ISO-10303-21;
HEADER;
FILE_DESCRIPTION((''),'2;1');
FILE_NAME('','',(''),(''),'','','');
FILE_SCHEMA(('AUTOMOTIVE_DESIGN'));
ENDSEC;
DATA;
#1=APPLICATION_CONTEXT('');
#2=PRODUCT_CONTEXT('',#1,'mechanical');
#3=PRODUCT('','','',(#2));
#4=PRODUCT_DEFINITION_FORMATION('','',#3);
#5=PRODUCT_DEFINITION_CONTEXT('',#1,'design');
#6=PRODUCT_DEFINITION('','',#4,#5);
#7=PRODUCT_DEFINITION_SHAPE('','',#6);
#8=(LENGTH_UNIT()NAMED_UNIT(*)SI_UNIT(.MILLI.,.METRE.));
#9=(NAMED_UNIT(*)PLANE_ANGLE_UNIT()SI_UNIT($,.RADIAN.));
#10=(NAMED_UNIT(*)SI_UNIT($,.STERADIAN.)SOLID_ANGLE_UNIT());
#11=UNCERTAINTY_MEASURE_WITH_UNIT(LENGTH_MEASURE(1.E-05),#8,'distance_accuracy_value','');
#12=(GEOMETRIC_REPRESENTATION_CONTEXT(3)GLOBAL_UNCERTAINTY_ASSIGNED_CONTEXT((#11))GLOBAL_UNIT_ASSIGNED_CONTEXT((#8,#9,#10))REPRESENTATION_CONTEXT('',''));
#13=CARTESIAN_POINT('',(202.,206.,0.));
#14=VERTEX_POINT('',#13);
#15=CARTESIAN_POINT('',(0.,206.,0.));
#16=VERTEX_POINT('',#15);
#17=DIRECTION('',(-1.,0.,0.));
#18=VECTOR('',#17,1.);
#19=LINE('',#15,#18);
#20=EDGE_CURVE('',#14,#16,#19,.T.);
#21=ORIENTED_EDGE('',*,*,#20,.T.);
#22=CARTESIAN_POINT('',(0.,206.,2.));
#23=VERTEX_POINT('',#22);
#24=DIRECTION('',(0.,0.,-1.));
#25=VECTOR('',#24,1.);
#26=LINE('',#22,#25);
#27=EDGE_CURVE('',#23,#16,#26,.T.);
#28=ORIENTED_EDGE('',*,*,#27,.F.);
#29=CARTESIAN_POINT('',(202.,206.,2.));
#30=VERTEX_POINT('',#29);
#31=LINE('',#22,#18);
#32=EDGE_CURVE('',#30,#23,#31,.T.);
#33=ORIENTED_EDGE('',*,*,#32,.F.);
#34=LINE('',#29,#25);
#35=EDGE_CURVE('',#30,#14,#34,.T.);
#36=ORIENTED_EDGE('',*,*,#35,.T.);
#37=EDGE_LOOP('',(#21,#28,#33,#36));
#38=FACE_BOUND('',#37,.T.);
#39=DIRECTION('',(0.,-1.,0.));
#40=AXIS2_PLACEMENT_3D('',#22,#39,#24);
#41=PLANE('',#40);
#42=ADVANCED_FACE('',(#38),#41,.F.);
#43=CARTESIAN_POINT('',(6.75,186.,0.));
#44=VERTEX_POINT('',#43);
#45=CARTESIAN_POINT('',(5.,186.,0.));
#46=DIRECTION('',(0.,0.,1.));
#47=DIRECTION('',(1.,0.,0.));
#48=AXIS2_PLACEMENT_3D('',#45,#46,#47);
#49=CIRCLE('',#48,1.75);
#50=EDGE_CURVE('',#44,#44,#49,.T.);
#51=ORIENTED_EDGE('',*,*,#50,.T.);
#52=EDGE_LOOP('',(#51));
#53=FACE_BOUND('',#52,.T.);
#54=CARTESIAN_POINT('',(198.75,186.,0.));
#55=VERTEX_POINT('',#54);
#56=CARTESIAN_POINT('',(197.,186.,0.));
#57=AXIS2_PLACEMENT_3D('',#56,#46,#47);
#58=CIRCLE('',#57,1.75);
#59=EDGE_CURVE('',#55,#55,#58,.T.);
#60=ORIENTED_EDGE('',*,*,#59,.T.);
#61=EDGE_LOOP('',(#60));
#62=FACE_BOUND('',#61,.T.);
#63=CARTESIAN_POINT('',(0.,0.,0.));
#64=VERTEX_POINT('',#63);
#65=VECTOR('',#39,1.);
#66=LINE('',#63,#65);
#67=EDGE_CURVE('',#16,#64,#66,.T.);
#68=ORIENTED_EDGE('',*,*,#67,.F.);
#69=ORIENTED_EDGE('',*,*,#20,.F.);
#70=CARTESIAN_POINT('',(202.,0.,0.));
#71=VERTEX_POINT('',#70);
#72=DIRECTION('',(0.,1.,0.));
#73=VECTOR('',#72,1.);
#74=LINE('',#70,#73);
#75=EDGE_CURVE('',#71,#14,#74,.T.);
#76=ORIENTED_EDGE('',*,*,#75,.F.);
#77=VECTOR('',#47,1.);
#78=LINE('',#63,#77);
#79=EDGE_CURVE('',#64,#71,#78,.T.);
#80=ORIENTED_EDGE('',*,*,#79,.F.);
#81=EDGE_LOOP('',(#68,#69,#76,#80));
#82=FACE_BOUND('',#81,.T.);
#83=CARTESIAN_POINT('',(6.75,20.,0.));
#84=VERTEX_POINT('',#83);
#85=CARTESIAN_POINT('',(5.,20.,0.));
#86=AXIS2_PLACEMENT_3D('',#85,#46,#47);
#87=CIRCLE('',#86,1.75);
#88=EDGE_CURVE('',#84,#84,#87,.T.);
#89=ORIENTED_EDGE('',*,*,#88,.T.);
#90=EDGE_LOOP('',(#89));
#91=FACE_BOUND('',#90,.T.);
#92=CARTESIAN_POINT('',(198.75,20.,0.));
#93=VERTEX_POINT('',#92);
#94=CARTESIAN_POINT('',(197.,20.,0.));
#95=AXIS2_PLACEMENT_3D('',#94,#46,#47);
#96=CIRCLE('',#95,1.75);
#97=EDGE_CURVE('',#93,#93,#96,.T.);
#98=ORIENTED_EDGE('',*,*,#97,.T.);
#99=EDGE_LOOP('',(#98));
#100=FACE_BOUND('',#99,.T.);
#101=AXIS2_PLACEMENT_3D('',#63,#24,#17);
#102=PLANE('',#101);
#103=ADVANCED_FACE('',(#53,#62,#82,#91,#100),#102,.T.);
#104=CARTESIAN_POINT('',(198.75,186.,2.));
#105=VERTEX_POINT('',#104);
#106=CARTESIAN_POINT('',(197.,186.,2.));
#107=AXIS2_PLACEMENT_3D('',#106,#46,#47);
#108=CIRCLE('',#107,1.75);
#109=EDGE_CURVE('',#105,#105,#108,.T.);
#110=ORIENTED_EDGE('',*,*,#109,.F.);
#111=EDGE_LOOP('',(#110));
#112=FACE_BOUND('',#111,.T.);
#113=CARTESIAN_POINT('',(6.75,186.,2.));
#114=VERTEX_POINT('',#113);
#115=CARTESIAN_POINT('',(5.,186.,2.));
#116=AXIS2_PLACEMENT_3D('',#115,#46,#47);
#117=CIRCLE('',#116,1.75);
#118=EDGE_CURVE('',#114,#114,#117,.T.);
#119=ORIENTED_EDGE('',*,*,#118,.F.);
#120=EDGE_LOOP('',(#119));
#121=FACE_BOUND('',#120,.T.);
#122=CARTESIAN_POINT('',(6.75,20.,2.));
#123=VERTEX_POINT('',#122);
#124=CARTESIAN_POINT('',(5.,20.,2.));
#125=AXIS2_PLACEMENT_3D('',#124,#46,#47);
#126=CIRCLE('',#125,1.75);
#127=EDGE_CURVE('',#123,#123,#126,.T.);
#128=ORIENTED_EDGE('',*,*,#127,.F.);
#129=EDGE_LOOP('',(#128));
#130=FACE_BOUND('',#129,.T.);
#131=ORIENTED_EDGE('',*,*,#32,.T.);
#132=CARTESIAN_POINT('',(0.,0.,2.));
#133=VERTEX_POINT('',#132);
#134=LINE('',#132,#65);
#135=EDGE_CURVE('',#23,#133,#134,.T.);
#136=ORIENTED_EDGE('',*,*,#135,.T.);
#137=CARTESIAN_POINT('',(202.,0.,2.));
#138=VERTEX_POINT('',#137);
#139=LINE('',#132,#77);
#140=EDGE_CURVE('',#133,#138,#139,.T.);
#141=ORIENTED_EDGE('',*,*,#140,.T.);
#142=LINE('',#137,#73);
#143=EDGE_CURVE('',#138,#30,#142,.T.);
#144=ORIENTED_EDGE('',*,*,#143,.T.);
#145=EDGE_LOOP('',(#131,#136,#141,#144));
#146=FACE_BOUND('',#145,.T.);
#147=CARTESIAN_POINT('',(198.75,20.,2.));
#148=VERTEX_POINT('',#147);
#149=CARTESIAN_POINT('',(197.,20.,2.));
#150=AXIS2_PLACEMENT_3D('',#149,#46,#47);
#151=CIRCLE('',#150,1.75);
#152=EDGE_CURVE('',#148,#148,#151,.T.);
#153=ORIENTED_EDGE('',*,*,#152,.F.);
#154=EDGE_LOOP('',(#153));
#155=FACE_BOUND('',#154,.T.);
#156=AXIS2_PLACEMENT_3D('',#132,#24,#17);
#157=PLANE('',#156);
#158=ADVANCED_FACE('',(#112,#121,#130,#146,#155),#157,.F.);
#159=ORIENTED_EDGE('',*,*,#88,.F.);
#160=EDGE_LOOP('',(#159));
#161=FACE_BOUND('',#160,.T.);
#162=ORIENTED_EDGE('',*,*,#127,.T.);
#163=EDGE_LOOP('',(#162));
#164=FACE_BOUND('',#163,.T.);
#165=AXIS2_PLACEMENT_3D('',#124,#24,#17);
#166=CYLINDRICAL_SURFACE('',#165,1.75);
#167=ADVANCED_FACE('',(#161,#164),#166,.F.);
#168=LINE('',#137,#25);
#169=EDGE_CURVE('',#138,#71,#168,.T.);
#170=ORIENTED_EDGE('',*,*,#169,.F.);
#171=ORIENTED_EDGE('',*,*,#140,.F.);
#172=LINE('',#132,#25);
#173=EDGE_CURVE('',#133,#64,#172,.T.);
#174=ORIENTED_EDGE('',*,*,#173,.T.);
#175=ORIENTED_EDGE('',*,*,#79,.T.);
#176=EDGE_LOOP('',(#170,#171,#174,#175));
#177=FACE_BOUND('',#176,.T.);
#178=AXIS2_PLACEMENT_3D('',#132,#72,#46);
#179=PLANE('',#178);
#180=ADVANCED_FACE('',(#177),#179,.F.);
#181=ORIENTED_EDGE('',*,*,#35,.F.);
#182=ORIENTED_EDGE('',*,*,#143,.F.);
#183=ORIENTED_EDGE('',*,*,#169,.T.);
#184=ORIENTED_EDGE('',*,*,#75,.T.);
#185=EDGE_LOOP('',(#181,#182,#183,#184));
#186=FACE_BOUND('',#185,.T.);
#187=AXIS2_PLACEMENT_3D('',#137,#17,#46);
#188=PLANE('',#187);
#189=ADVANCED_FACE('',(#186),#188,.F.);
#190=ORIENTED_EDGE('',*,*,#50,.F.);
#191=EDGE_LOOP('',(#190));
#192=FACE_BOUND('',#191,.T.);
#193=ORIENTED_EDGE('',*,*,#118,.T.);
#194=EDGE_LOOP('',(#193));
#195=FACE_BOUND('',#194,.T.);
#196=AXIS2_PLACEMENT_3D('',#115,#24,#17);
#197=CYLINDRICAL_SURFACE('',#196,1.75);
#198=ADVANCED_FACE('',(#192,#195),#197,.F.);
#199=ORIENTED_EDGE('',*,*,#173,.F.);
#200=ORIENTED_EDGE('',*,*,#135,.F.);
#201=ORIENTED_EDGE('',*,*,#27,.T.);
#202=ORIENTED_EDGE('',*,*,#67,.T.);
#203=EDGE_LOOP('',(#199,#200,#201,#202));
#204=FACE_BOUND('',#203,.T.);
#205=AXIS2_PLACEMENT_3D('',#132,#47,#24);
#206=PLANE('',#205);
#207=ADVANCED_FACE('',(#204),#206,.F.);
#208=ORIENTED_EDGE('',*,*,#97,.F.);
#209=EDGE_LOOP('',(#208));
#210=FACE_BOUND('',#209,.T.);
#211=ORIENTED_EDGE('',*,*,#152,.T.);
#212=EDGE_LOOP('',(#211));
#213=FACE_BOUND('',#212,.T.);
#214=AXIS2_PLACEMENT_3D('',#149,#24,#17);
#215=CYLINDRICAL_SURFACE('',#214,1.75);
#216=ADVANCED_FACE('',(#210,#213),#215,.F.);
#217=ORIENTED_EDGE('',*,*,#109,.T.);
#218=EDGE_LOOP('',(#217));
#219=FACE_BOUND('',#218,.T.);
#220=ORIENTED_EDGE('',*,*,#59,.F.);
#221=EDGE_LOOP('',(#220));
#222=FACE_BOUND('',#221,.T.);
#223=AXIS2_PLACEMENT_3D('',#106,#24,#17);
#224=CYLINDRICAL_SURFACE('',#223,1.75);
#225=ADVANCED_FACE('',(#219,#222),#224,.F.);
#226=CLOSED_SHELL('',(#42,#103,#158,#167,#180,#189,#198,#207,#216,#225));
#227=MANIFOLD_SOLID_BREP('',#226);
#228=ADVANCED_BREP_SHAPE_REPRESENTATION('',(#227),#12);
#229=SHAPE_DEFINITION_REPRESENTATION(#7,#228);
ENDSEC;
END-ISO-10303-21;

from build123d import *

# Parameters (mm, degrees)
SKETCH1_W           = 202
SKETCH1_H           = 206
SKETCH1_R           = 1.75
BOSS_EXTRUDE1_DEPTH = 2


with BuildPart() as part:
    # Sketch1 → Boss-Extrude1 (new body)
    with BuildSketch(Plane.XY):
        with Locations((101, 103)):
            Rectangle(SKETCH1_W, SKETCH1_H)
        with Locations((5, 186)):
            Circle(SKETCH1_R, mode=Mode.SUBTRACT)
        with Locations((197, 186)):
            Circle(SKETCH1_R, mode=Mode.SUBTRACT)
        with Locations((5, 20)):
            Circle(SKETCH1_R, mode=Mode.SUBTRACT)
        with Locations((197, 20)):
            Circle(SKETCH1_R, mode=Mode.SUBTRACT)
    extrude(amount=BOSS_EXTRUDE1_DEPTH)


solid = part.part
